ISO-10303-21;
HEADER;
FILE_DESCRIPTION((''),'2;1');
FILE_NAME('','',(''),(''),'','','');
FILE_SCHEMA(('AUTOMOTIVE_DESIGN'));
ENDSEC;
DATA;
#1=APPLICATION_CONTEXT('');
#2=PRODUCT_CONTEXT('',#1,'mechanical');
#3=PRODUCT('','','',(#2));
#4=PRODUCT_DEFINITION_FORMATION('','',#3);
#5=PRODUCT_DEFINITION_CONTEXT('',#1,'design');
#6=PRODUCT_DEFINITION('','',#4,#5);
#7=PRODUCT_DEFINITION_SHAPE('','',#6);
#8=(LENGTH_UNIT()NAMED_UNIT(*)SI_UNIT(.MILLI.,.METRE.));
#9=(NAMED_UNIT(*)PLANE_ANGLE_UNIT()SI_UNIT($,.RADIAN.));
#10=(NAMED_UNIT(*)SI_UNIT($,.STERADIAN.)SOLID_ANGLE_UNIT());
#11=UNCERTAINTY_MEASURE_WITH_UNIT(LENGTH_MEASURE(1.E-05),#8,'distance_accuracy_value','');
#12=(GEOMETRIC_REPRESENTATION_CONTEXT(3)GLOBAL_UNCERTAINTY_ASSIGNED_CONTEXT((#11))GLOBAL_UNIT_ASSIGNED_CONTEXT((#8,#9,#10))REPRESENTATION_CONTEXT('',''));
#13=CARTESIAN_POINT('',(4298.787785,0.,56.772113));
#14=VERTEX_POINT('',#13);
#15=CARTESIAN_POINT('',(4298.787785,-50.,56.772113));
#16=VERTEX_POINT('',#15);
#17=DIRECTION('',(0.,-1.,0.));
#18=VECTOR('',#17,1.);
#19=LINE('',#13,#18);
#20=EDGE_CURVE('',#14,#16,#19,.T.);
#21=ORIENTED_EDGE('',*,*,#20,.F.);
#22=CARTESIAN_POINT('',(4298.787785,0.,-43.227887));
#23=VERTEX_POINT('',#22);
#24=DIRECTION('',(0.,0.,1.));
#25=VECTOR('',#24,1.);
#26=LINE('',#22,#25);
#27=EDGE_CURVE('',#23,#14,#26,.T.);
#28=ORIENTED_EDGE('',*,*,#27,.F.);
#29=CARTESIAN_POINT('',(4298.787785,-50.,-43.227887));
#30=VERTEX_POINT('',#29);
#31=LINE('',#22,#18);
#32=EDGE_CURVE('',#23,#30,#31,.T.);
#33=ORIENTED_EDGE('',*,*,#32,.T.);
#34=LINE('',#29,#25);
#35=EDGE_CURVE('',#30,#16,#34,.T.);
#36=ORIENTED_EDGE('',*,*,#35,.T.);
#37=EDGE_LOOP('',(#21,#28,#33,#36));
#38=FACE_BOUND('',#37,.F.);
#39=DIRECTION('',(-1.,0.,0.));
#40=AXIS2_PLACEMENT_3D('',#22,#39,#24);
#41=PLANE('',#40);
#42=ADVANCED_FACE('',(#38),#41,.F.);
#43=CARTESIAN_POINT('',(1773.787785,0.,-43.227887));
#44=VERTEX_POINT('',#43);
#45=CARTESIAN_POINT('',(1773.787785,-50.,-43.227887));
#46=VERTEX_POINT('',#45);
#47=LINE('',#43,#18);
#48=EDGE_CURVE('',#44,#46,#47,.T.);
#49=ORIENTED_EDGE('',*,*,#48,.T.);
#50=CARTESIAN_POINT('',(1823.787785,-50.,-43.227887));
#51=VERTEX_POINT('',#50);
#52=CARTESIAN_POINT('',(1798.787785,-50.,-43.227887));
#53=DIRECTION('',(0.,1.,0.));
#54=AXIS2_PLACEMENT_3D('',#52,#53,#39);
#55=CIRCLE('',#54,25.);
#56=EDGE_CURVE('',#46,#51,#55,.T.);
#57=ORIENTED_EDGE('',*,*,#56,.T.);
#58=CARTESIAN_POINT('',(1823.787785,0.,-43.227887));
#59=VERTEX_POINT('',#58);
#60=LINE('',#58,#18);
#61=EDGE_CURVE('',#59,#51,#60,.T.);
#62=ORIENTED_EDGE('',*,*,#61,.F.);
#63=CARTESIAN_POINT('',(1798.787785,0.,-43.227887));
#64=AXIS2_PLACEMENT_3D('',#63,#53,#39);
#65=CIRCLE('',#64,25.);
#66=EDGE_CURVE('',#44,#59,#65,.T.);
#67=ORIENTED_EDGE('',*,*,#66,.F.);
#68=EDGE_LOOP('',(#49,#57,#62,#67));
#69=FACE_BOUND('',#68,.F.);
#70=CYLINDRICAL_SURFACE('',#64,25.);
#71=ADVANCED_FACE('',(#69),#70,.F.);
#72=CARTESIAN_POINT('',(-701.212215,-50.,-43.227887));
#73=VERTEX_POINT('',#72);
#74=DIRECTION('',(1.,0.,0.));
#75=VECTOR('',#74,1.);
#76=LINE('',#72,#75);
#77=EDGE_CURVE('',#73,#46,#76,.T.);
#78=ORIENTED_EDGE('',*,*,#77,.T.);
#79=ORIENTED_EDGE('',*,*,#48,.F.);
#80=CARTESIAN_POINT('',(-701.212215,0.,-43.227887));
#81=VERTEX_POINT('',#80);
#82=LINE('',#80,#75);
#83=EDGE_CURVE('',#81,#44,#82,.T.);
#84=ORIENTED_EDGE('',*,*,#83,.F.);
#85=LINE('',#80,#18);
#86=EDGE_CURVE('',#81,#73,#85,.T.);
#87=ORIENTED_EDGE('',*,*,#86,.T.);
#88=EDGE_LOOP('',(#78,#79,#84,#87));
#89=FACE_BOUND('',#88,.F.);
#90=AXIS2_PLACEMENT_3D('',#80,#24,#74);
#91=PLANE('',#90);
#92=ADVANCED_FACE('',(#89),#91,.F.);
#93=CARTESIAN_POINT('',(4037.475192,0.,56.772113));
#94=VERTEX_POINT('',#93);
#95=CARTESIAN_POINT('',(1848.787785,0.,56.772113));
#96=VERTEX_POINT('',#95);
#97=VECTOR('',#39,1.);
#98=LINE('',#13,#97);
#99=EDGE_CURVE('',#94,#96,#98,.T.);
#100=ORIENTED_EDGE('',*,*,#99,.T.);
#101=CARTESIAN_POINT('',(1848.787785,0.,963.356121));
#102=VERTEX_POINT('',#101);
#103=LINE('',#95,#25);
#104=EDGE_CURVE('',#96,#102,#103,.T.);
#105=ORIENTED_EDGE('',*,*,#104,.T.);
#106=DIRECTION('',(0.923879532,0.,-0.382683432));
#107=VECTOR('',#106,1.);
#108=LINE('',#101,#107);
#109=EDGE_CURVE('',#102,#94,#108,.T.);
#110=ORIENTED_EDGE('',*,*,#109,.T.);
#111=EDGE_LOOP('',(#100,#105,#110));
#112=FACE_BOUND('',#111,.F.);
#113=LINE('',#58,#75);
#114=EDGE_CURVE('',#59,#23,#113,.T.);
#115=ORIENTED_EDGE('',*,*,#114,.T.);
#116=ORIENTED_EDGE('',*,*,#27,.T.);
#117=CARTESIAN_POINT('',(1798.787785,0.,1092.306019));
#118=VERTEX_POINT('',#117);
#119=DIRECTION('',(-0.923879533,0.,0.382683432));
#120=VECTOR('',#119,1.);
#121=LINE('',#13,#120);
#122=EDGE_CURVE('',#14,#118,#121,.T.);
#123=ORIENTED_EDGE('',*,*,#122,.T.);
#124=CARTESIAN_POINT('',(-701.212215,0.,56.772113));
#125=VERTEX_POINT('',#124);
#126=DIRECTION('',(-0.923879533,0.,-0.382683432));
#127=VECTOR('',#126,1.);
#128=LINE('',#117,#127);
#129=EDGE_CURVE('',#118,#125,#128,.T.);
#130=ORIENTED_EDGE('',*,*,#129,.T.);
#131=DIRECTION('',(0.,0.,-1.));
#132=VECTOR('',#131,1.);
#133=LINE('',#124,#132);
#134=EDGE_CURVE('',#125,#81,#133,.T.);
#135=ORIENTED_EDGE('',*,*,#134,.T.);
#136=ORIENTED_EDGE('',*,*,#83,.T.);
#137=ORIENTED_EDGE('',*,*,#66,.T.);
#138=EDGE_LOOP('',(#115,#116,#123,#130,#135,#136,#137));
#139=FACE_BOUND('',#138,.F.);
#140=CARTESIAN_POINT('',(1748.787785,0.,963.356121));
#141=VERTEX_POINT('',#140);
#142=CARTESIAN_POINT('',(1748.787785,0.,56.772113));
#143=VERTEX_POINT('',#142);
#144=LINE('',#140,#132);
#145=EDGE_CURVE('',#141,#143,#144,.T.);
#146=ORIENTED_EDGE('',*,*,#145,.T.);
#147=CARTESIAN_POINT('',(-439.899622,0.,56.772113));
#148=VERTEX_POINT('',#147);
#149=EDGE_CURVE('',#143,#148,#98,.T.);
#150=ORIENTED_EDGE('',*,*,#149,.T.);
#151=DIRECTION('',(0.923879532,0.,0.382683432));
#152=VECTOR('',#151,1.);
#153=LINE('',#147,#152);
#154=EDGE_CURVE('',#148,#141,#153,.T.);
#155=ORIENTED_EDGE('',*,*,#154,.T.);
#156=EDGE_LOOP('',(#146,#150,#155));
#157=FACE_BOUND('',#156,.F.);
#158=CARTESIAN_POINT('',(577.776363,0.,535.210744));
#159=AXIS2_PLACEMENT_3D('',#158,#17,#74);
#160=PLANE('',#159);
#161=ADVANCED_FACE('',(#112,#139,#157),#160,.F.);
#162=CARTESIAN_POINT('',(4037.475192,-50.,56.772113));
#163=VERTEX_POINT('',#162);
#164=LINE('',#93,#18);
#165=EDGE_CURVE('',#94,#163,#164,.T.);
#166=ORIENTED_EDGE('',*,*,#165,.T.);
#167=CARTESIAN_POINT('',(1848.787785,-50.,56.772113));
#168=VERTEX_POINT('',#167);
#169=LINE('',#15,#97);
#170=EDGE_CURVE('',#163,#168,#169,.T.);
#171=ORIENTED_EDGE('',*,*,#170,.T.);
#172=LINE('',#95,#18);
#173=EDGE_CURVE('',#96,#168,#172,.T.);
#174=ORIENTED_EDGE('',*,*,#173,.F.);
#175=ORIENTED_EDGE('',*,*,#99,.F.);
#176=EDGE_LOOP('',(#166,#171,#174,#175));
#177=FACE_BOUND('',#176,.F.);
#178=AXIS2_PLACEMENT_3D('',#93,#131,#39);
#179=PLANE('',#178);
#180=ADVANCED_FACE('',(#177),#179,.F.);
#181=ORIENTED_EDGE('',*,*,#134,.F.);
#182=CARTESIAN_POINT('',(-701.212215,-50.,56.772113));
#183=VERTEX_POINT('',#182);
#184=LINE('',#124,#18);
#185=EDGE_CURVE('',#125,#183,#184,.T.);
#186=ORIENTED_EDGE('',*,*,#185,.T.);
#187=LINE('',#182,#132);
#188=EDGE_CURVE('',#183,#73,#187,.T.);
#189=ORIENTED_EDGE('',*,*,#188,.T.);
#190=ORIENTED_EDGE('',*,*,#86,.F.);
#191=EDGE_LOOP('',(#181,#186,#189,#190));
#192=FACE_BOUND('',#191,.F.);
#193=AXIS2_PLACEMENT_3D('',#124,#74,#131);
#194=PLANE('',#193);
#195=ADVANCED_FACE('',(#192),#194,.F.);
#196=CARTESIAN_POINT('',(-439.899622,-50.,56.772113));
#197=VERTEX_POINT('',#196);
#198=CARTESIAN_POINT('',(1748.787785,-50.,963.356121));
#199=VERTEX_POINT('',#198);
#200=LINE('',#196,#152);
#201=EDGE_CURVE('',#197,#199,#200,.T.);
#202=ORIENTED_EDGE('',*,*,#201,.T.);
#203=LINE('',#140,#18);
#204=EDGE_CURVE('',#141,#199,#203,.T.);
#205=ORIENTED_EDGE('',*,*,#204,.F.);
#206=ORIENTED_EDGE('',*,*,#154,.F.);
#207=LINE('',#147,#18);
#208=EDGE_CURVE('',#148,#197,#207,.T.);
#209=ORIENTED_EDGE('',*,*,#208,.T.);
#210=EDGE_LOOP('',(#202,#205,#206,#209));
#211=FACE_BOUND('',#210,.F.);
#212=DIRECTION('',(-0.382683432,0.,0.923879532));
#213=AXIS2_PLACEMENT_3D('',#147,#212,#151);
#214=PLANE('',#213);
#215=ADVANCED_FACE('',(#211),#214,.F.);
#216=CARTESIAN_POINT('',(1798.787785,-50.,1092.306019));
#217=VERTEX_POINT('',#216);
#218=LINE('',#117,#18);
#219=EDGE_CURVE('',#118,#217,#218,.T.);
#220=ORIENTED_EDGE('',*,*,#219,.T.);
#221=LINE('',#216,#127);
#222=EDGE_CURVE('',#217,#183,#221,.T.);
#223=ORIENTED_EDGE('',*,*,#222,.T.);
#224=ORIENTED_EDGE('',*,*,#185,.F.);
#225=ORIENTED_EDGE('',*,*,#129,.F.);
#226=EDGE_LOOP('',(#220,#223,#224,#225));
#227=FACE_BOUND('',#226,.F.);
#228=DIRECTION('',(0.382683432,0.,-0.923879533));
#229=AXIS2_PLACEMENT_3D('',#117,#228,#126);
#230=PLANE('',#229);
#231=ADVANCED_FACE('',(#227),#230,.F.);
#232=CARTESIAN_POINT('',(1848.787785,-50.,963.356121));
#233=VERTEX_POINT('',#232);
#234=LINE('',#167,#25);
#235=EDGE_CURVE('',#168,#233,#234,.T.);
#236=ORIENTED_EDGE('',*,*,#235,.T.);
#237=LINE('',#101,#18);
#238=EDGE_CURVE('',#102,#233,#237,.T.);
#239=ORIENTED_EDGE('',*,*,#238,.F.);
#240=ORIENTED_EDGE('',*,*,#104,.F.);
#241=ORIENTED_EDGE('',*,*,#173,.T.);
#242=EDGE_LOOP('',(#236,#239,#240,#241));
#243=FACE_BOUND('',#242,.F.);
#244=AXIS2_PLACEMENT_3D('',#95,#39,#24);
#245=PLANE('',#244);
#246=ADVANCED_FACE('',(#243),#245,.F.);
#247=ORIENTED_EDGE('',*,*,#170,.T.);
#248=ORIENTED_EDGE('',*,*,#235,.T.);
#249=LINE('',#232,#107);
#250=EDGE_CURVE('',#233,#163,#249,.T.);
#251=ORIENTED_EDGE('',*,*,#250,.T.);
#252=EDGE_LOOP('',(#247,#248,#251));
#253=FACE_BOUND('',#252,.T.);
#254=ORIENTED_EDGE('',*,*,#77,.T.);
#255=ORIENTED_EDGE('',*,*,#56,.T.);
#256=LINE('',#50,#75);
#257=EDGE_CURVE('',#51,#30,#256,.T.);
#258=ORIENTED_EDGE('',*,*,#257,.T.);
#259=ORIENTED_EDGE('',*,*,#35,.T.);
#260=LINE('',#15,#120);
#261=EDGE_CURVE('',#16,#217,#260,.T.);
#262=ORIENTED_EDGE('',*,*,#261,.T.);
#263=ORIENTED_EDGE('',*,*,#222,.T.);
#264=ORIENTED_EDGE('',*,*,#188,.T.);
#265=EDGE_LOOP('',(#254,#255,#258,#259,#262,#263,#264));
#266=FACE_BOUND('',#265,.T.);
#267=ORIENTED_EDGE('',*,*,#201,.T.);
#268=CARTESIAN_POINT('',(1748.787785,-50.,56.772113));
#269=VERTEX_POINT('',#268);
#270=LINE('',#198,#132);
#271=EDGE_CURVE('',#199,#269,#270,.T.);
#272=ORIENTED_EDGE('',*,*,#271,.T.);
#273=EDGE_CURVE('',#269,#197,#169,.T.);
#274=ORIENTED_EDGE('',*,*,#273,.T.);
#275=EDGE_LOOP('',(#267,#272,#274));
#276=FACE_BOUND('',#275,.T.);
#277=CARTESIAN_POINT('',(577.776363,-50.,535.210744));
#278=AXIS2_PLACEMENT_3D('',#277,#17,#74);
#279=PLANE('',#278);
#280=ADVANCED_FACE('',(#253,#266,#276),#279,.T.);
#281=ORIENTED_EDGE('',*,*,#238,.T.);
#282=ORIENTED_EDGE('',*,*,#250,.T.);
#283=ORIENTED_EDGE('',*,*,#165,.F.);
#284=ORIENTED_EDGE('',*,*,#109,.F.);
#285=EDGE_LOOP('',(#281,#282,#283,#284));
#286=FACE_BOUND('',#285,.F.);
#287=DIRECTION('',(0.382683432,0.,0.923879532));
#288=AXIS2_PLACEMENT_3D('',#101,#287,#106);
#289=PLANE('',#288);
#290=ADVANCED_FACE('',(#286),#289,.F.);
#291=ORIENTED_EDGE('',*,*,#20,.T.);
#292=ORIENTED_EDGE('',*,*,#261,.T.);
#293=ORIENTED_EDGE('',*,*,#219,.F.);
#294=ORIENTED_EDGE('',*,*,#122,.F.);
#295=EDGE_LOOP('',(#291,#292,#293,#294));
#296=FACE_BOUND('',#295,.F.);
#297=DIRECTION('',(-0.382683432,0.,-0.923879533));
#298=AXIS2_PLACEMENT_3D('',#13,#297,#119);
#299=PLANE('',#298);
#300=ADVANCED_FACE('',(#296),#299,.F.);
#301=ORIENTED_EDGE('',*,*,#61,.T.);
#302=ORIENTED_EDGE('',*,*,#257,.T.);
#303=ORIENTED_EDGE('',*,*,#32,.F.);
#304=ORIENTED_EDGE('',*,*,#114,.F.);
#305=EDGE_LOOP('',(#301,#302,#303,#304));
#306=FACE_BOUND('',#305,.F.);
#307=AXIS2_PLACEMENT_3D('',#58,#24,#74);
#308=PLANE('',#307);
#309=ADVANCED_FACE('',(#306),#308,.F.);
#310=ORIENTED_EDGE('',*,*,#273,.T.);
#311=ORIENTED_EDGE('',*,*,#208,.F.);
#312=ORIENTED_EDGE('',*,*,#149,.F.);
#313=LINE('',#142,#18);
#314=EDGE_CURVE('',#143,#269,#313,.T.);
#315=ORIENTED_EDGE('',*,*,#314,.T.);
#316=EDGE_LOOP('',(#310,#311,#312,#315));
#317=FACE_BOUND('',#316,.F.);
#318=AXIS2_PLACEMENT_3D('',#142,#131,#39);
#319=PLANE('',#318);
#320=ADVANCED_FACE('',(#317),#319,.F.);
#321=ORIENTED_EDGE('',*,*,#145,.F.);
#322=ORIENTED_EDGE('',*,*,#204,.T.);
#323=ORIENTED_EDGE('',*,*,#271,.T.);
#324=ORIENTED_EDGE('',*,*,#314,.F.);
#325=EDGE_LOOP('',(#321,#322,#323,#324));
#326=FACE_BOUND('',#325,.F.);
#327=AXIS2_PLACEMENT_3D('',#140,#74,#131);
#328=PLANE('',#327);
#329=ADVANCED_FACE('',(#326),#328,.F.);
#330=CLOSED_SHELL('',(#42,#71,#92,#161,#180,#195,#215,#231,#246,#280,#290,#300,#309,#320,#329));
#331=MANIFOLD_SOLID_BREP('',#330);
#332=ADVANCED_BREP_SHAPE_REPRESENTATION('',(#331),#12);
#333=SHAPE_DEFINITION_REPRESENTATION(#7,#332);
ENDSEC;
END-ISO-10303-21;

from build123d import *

# Parameters (mm, degrees)
F1_DEPTH = 50


with BuildPart() as f1:
    # F0 (on Front) → F1 (new body)
    with BuildSketch(Plane.XZ):
        Polygon((1798.787785, 1092.306019), (-701.212215, 56.772113), (-439.899622, 56.772113), (1748.787785, 963.356121), (1798.787785, 984.066799), align=None)
        Polygon((1748.787785, 963.356121), (1748.787785, 56.772113), (1798.787785, 56.772113), (1848.787785, 56.772113), (1848.787785, 963.356121), (1798.787785, 984.066799), align=None)
        Polygon((4298.787785, 56.772113), (1798.787785, 1092.306019), (1798.787785, 984.066799), (1848.787785, 963.356121), (4037.475192, 56.772113), align=None)
        with BuildLine():
            Line((-439.899622, 56.772113), (-701.212215, 56.772113))
            Line((-701.212215, 56.772113), (-701.212215, -43.227887))
            Line((-701.212215, -43.227887), (1773.787785, -43.227887))
            ThreePointArc((1773.787785, -43.227887), (1798.787785, -18.227887), (1823.787785, -43.227887))
            Line((1823.787785, -43.227887), (4298.787785, -43.227887))
            Line((4298.787785, -43.227887), (4298.787785, 56.772113))
            Line((4298.787785, 56.772113), (4037.475192, 56.772113))
            Line((4037.475192, 56.772113), (1848.787785, 56.772113))
            Line((1848.787785, 56.772113), (1798.787785, 56.772113))
            Line((1798.787785, 56.772113), (1748.787785, 56.772113))
            Line((1748.787785, 56.772113), (-439.899622, 56.772113))
        make_face()
    extrude(amount=F1_DEPTH)


solid = f1.part
